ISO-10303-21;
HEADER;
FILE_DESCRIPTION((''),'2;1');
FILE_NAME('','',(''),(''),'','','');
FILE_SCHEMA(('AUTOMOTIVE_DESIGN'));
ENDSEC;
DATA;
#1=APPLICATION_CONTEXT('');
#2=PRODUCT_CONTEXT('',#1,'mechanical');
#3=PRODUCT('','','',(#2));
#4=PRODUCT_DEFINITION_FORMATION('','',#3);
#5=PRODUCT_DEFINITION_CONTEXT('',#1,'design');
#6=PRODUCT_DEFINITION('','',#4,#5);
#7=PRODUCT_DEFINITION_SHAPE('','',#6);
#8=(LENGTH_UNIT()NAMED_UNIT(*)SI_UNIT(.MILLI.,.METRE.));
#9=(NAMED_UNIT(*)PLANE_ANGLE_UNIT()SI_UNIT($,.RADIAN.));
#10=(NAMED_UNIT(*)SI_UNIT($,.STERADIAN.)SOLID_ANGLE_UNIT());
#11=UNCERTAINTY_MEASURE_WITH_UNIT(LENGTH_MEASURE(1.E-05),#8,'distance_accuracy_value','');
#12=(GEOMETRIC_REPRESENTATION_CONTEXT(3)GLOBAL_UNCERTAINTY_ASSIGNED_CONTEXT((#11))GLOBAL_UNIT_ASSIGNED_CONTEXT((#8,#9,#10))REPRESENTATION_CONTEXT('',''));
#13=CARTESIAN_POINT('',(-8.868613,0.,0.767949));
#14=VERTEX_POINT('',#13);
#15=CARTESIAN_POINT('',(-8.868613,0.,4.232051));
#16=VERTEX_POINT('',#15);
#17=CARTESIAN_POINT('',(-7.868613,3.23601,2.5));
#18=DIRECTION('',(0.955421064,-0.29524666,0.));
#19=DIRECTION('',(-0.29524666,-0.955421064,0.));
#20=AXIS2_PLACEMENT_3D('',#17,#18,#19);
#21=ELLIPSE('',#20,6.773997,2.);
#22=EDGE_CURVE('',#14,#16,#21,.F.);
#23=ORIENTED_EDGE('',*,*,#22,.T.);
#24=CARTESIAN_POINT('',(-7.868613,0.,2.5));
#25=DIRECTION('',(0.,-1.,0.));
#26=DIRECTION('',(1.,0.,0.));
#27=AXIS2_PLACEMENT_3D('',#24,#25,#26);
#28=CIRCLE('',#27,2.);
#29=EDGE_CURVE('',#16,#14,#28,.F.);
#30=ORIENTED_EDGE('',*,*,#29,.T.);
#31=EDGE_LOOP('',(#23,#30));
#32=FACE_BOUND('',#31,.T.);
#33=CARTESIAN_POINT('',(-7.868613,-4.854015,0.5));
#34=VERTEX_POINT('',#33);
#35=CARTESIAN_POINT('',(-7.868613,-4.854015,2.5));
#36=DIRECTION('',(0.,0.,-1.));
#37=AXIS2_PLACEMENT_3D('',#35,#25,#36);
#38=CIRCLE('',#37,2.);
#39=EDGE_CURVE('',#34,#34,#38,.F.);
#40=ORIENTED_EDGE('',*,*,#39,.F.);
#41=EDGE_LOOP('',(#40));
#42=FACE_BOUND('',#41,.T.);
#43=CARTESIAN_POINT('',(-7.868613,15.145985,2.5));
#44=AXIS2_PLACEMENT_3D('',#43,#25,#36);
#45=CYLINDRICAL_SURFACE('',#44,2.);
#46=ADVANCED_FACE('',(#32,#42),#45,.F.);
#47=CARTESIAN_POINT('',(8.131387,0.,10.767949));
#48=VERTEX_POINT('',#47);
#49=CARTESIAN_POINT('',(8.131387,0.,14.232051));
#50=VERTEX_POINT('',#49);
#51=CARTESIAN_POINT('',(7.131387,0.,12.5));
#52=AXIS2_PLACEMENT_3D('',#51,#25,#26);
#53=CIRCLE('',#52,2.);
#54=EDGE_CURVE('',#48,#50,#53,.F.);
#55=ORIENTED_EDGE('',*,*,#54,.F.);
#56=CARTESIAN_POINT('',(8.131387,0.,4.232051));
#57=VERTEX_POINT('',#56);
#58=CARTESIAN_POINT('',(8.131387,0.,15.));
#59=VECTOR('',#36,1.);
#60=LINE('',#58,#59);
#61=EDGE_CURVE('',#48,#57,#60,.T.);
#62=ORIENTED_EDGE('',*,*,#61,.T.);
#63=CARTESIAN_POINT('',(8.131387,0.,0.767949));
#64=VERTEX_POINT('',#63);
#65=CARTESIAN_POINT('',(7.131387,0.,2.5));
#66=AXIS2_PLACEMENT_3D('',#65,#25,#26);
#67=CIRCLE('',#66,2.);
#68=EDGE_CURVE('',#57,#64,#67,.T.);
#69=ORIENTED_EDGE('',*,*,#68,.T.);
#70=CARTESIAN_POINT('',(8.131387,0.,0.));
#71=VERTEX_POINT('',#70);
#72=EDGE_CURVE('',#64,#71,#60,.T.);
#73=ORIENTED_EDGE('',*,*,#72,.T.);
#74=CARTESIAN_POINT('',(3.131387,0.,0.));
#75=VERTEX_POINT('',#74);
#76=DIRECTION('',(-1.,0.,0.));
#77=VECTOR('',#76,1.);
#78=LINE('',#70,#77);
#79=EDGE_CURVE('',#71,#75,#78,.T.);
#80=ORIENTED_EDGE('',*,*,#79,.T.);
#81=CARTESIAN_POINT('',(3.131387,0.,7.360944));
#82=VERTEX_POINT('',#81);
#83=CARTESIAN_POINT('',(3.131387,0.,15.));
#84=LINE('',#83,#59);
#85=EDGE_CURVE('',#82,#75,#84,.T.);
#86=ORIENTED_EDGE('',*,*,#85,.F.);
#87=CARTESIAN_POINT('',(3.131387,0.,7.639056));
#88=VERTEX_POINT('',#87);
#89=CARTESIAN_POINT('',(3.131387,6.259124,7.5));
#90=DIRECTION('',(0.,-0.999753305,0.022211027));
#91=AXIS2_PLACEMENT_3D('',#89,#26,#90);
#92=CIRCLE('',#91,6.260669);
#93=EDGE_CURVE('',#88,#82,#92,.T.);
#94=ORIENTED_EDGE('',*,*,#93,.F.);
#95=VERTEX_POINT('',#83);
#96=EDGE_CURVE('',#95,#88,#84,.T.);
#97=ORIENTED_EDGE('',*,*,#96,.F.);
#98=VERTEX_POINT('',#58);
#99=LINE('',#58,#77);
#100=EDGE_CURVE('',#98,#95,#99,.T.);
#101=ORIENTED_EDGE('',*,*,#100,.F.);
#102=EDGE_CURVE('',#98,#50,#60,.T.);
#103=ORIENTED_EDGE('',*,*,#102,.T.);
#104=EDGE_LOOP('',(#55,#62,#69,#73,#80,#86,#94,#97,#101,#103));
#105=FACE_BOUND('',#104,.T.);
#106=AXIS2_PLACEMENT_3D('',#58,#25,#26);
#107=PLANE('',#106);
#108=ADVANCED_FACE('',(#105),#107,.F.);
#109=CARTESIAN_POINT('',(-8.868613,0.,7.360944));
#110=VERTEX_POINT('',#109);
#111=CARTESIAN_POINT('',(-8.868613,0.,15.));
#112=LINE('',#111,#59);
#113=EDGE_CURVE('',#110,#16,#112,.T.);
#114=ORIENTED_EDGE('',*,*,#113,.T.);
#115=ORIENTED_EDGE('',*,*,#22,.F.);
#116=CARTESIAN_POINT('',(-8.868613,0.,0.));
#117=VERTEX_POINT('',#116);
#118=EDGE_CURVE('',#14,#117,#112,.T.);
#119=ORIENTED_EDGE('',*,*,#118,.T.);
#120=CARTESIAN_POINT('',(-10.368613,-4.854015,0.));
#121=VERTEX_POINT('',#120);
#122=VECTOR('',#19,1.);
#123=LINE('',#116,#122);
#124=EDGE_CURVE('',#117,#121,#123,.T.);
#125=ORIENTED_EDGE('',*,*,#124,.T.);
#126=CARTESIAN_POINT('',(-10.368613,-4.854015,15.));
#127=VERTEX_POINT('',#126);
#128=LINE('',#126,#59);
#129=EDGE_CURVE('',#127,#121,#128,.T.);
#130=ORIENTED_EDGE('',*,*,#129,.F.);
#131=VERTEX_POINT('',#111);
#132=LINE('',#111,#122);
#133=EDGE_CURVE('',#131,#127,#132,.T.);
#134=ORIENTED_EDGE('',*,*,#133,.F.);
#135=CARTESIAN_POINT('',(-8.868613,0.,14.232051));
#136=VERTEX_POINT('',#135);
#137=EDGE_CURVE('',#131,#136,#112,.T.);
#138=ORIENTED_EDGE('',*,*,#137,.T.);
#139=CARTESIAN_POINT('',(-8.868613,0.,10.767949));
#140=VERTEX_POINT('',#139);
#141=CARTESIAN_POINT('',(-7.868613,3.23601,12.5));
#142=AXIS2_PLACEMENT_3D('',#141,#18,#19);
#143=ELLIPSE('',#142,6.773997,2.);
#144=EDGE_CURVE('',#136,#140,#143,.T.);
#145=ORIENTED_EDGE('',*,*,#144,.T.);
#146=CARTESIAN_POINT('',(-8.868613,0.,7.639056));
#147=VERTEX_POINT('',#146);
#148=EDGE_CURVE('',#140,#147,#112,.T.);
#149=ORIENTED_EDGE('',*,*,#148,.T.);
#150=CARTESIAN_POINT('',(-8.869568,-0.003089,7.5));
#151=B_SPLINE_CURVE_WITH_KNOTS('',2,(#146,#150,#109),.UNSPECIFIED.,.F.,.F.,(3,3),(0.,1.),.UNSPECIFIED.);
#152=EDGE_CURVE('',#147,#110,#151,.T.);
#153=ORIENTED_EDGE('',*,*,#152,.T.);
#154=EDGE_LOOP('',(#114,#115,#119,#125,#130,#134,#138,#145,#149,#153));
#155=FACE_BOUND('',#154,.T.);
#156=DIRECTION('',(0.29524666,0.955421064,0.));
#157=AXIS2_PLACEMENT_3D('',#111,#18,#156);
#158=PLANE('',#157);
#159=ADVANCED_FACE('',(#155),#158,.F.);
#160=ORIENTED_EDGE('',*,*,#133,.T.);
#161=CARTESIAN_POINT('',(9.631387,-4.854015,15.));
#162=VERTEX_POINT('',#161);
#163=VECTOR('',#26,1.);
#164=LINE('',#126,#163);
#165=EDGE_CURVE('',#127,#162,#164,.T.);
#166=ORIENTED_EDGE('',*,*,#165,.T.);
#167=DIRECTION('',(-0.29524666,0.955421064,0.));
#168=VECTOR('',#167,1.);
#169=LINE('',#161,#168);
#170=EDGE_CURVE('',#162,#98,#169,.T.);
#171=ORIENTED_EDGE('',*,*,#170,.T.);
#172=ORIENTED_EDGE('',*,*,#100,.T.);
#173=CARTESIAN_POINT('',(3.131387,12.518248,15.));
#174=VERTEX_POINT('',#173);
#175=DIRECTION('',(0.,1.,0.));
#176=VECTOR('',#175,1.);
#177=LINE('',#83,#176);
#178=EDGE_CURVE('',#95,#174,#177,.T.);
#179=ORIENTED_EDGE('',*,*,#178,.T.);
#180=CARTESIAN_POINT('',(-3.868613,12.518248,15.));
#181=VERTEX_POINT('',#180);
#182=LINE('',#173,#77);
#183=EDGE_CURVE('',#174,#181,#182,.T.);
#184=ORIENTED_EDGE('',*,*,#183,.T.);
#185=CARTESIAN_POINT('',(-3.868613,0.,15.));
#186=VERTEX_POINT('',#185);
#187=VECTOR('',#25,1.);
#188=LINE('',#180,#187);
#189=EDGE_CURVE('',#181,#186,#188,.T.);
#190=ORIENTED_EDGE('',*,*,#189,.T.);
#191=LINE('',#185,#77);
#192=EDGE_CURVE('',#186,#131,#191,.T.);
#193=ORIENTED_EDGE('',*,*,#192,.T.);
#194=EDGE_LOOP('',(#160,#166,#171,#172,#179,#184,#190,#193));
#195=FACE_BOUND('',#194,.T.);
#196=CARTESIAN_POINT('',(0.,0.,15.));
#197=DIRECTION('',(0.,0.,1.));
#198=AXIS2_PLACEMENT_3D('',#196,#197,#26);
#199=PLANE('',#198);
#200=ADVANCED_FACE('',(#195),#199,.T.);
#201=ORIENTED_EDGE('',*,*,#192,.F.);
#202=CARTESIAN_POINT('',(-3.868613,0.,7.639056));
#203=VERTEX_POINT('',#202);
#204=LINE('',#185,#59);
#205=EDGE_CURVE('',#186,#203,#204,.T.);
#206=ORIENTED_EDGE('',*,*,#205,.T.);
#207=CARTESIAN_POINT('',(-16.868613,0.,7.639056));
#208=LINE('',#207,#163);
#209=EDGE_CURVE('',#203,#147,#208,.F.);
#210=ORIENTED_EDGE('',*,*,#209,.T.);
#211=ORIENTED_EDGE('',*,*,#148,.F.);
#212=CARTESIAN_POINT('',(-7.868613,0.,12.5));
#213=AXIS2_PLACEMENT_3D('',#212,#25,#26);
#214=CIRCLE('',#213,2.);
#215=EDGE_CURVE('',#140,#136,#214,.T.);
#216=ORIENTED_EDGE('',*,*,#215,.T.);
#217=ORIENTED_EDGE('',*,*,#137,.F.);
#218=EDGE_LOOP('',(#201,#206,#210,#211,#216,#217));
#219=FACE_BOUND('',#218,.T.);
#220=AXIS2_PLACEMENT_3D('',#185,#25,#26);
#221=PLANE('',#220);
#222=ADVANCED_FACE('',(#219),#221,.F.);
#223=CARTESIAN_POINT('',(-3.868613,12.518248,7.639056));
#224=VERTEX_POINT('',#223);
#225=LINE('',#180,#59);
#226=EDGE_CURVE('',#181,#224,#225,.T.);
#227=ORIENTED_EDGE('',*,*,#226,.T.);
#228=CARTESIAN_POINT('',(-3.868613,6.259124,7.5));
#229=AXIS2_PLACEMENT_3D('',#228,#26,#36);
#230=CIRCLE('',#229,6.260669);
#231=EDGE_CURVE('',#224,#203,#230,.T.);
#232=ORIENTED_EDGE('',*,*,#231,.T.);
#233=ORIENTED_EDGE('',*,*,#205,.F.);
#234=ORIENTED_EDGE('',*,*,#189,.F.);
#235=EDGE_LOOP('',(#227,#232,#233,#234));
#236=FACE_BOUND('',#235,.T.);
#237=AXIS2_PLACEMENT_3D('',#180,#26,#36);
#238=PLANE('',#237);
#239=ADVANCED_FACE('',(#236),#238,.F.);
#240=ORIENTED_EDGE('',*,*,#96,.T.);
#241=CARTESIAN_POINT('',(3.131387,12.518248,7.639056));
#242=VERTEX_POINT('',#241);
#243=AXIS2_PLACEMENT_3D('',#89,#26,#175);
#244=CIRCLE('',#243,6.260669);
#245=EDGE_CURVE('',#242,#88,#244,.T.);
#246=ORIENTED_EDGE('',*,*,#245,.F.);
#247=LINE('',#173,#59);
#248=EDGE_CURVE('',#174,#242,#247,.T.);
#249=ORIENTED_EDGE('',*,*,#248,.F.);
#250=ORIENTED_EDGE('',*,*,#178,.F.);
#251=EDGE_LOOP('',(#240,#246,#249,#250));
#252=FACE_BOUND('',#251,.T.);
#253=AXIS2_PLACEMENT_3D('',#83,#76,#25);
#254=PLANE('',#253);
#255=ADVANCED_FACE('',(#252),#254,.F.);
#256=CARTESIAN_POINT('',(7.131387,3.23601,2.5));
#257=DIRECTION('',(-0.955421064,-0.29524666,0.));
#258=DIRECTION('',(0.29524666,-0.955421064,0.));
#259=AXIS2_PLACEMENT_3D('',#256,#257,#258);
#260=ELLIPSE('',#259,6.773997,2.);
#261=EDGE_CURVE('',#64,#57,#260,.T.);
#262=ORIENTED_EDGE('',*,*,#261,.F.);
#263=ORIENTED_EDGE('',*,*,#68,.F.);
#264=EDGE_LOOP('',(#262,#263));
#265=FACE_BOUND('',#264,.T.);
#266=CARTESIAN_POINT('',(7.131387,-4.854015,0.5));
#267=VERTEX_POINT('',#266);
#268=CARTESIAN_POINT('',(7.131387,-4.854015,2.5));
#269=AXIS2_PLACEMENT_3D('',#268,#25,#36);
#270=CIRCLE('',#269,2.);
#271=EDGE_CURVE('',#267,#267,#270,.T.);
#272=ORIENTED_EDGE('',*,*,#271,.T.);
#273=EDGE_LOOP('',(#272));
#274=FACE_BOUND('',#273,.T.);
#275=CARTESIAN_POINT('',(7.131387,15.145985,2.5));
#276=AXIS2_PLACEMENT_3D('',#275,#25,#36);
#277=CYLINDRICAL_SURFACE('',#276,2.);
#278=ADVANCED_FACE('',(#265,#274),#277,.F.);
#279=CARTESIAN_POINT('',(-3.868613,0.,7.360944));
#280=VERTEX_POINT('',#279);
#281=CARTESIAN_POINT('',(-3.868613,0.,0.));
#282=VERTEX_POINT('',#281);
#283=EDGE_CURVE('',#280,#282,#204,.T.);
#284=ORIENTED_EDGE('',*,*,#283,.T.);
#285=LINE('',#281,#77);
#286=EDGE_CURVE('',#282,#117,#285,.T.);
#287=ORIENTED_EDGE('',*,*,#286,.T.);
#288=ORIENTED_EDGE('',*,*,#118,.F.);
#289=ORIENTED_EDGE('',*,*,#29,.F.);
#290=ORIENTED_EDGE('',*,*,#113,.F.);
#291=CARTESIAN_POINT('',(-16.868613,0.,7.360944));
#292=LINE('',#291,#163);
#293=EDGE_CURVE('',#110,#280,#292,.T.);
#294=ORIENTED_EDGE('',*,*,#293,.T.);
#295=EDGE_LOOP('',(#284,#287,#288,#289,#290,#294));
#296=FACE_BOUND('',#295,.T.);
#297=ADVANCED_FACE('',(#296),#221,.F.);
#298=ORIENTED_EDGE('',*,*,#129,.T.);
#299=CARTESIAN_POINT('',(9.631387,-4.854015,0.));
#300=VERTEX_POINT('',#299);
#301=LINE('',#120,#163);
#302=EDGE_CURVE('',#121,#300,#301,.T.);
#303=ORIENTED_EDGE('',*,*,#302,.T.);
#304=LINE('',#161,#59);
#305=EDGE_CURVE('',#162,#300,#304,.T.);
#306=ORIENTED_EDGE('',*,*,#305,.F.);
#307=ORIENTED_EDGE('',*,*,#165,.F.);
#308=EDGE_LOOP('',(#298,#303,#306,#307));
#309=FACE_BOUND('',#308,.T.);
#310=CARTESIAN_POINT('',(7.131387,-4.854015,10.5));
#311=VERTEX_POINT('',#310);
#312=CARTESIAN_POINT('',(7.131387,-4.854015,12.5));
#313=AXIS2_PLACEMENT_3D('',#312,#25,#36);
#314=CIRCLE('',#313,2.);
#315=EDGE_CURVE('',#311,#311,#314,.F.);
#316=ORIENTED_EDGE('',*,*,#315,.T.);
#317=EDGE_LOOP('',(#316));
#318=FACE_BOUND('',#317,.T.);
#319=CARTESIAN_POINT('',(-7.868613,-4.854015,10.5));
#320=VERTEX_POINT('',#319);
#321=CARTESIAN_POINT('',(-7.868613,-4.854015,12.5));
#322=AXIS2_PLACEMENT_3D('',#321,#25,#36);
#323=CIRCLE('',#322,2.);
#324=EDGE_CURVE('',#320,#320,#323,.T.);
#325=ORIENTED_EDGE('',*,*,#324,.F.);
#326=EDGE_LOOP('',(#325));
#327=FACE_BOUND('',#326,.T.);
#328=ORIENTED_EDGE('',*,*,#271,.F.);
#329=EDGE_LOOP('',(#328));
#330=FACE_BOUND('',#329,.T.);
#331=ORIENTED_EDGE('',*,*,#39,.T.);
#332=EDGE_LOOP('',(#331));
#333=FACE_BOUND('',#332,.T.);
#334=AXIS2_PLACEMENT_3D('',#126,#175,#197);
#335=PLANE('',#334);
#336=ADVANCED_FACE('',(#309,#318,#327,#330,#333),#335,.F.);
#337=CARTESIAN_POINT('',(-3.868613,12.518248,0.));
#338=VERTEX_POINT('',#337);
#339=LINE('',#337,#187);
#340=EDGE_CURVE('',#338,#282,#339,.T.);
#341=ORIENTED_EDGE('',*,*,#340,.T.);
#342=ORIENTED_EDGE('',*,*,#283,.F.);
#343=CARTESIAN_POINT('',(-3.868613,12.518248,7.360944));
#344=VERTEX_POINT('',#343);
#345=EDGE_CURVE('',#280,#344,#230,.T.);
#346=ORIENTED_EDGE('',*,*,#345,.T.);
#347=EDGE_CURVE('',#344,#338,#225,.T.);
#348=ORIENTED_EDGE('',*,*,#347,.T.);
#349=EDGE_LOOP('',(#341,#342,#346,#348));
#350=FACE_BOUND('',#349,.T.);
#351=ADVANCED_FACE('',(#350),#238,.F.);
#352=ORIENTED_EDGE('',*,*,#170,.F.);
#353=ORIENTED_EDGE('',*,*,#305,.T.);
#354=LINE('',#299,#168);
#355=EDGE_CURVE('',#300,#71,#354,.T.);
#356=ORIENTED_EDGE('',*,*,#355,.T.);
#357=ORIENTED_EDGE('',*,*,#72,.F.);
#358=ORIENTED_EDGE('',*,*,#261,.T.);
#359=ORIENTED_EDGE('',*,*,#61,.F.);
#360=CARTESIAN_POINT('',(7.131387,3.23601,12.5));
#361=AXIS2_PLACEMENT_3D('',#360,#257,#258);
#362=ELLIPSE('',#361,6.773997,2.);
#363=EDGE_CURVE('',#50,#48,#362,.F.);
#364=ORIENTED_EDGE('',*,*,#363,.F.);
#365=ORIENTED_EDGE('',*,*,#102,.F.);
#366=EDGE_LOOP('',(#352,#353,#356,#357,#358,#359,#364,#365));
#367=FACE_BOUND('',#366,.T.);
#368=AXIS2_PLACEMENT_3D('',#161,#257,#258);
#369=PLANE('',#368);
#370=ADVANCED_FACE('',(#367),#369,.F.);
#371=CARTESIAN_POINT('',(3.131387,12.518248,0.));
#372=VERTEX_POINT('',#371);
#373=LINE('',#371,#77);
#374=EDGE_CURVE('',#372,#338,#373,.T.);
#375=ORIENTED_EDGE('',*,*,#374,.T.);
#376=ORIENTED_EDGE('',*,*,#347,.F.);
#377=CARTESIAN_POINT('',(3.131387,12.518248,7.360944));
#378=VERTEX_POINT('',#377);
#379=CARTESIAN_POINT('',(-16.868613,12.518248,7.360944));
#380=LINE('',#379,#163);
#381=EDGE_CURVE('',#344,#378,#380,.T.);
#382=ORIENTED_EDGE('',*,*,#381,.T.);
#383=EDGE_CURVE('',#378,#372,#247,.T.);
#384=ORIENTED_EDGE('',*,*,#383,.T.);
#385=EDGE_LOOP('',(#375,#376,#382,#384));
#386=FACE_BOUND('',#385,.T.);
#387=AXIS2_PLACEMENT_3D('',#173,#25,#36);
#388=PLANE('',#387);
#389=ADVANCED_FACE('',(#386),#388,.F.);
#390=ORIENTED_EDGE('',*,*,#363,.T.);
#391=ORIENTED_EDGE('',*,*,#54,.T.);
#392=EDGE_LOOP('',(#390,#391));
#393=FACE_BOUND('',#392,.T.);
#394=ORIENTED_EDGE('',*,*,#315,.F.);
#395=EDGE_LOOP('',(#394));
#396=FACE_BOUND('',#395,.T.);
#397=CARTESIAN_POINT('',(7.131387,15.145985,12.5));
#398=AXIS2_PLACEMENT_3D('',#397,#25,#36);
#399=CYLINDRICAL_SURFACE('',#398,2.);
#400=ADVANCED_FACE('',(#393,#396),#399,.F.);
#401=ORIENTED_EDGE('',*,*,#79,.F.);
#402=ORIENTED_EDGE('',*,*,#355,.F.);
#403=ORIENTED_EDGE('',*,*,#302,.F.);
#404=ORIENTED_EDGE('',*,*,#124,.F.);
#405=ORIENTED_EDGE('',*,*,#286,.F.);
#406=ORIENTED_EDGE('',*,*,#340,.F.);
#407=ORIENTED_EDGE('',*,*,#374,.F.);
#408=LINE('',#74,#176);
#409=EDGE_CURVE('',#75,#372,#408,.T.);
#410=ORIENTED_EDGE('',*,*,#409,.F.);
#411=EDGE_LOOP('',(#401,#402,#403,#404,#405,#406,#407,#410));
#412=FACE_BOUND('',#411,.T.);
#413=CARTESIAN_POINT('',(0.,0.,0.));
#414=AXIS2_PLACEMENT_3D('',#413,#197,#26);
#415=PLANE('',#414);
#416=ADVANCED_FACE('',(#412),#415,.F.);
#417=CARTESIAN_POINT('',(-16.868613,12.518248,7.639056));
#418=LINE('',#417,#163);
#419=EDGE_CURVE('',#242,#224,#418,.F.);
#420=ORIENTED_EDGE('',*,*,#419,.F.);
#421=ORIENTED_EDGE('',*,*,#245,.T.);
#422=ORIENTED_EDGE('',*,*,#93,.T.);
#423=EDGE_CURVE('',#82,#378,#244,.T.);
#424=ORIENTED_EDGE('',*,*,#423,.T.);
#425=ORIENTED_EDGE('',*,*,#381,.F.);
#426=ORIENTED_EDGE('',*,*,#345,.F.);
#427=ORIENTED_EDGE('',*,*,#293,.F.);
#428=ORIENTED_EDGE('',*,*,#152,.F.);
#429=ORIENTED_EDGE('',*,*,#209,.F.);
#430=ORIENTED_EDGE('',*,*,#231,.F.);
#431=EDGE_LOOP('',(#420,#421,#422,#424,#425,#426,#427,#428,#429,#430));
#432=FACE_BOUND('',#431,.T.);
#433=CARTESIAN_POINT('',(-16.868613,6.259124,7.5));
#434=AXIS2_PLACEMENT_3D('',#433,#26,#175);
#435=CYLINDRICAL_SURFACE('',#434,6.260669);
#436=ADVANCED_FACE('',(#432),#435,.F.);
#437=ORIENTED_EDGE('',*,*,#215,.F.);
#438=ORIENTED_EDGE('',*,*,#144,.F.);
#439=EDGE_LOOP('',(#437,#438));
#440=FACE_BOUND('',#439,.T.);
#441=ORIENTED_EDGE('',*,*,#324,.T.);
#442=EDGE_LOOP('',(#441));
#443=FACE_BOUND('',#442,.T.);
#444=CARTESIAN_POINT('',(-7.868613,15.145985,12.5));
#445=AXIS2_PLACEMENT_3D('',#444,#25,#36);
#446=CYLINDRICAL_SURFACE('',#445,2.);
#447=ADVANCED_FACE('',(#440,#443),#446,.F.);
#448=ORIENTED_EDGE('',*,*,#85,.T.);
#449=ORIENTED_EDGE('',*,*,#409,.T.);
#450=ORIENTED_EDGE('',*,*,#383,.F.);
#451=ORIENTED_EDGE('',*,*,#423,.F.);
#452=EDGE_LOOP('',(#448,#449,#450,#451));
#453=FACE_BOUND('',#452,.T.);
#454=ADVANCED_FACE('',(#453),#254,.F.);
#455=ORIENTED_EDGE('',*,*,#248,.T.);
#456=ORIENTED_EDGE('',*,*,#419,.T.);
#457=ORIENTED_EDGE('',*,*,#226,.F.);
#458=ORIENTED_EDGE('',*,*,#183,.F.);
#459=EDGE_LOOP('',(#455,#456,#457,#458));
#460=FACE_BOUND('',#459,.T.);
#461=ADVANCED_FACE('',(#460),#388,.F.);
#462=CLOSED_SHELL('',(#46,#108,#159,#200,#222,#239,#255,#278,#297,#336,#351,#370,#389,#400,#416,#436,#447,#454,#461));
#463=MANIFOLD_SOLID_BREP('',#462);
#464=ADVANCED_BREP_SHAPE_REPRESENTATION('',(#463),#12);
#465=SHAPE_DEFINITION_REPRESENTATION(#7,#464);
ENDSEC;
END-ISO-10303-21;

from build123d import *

# Parameters (mm, degrees)
EXTRUDE_1_DEPTH     = 15
SKETCH_2_R          = 6.260668565
CUT_EXTRUDE_1_DEPTH = 20
SKETCH_3_R          = 2
CUT_EXTRUDE_2_DEPTH = 20


with BuildPart() as part:
    # 草图1 → 凸台-拉伸1 (new body)
    with BuildSketch(Plane.XY):
        Polygon((-10.368613139, -4.854014599), (9.631386861, -4.854014599), (8.131386861, 0), (3.131386861, 0), (3.131386861, 12.518248175), (-3.868613139, 12.518248175), (-3.868613139, 0), (-8.868613139, 0), align=None)
    extrude(amount=EXTRUDE_1_DEPTH)

    # 草图2 → 切除-拉伸1 (cut)
    with BuildSketch(Plane(origin=(3.131386861, 0, 0), x_dir=(0, 0, -1), z_dir=(1, 0, 0))):
        with Locations((-7.5, 6.259124088)):
            Circle(SKETCH_2_R)
    extrude(amount=-CUT_EXTRUDE_1_DEPTH, mode=Mode.SUBTRACT)

    # 草图3 → 切除-拉伸2 (cut)
    with BuildSketch(Plane.XZ.offset(4.854014599)):
        with Locations(Location((-7.868613139, 12.5, 0), (0, 0, 270))):
            Circle(SKETCH_3_R)
        with Locations(Location((7.131386861, 12.5, 0), (0, 0, 270))):
            Circle(SKETCH_3_R)
        with Locations(Location((7.131386861, 2.5, 0), (0, 0, 270))):
            Circle(SKETCH_3_R)
        with Locations(Location((-7.868613139, 2.5, 0), (0, 0, 270))):
            Circle(SKETCH_3_R)
    extrude(amount=-CUT_EXTRUDE_2_DEPTH, mode=Mode.SUBTRACT)


solid = part.part
